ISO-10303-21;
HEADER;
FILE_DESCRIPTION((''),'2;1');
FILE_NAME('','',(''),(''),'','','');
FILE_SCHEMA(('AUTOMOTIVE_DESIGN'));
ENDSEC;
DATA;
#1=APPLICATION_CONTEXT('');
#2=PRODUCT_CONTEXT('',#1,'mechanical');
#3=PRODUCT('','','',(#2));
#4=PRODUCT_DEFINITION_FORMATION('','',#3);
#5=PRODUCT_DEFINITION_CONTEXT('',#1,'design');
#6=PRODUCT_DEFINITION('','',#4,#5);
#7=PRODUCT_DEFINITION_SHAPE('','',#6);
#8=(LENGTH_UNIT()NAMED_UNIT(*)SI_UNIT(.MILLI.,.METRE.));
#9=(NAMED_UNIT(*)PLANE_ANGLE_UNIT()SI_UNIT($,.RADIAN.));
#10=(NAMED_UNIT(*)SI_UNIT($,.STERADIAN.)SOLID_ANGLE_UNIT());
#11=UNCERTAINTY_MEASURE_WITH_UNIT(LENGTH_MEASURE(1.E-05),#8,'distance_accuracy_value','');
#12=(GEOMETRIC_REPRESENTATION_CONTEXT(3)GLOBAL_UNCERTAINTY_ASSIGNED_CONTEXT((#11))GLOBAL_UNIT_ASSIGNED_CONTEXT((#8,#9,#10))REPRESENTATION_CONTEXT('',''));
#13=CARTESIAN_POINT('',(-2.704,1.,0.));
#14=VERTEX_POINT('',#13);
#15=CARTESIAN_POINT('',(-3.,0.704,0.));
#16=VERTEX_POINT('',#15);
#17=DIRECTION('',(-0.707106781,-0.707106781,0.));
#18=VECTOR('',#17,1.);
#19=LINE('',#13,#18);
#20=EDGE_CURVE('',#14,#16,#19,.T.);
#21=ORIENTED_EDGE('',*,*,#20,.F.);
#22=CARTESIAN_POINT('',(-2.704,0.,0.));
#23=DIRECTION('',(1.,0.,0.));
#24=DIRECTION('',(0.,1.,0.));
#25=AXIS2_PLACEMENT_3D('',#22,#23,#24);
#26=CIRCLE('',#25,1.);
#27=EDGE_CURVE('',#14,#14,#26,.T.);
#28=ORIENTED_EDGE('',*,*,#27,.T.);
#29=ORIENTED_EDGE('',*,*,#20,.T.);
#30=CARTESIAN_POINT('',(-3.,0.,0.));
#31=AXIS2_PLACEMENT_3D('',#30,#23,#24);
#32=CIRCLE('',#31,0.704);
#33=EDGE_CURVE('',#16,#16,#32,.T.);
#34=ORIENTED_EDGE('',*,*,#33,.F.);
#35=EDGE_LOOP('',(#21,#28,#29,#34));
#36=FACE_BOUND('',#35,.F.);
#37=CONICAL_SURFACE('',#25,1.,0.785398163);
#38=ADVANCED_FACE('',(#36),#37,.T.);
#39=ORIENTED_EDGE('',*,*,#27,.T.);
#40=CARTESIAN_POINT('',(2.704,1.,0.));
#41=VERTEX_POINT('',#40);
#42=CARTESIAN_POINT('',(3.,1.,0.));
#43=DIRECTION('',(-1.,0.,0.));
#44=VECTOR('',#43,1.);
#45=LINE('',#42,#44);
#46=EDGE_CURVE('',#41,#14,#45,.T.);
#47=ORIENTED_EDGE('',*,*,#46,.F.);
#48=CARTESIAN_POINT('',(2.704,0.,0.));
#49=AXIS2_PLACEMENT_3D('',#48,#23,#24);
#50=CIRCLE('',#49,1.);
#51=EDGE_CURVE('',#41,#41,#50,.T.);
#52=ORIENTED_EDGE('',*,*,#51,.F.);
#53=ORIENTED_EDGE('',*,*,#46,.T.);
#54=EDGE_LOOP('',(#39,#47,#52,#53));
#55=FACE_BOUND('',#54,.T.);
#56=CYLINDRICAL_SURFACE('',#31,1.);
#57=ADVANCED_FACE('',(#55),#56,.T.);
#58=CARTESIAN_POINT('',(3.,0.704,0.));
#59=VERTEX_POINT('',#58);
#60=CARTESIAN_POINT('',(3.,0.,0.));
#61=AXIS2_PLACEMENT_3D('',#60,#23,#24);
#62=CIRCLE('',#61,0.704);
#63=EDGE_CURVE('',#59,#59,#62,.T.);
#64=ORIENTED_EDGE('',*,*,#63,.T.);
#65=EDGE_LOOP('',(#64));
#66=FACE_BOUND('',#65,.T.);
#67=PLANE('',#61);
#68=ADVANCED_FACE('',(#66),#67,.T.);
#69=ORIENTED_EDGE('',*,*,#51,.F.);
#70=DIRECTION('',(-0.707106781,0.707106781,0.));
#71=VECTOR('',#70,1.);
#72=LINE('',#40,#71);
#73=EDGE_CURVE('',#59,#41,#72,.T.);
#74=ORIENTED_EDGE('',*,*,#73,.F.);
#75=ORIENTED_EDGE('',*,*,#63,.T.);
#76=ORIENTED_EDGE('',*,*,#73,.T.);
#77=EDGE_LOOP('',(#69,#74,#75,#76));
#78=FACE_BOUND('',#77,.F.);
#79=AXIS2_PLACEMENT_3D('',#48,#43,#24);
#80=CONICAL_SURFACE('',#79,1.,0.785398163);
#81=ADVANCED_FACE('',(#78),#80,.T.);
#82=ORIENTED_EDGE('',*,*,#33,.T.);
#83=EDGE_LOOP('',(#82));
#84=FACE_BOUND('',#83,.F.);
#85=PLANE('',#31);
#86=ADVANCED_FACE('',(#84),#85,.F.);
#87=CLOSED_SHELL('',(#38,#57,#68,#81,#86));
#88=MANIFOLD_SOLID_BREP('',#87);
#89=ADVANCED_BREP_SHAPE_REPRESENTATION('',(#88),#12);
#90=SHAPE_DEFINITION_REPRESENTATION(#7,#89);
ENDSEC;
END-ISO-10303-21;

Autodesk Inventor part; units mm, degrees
ref_plane "YZ Plane" through (0, 0, 0) normal (1, 0, 0) x (0, 1, 0)
ref_plane "XZ Plane" through (0, 0, 0) normal (0, 1, 0) x (-1, 0, 0)
sketch "Sketch1" plane through (0, 0, 0) normal (0, 0, 1) x (1, 0, 0)
  line L0 (3, 1) -> (3, 0)
  line L1 (-3, 0) -> (3, 0)
  line L2 (-4.2, 0) -> (4.2, 0) projected
  line L3 (0, 1.2) -> (0, -0.2) projected
  line L4 (-3, 1) -> (-3, 0)
  line L5 (0, 1) -> (0, 0) construction
  line L6 (-4.2, 0) -> (4.2, 0) projected
  line L7 (-3, 1) -> (3, 1)
  dimension "d13" = 2
  dimension "d87" = 6
  dimension "d88" = 3
revolve "Body" add sketch "Sketch1" angle 360 about axis through (-3, 0, 0) along (1, 0, 0)
thread "Thread1" size "M2x0.4" class "6g" standard "ISO Metric profile" length 6
chamfer "Chamfer1" distance 0.296 angle 45 1 edges at (3, -1, 0) measured on face at (-1, 0.9871, -0.1604)
chamfer "Chamfer2" distance 0.296 angle 45 1 edges at (-3, -1, 0) measured on face at (-1.0987, 0.9968, -0.0805)
ref_plane "Work Plane1" through (2.75, 0, 0) normal (0, -1, 0) x (1, 0, 0)
equation "\"d13\" = NND"
equation "\"d87\" = NLG"
equation "\"d88\" = 0.5 * NLG"
equation "\"d1\" = GEL"
equation "\"d9\" = -0.5 * SPD + 0.5 * NND"
equation "\"d10\" = -0.5 * SPD + 0.5 * NND"
equation "\"d11\" = -0.5 * SPD + 0.5 * NND"
equation "\"d12\" = -0.5 * SPD + 0.5 * NND"
equation "\"NLG\" = 6"
equation "\"GEL\" = NLG"
equation "\"GAL\" = 0.61345 * PTC"
equation "\"SPD\" = 1.408"
equation "\"d0\" = NND"
equation "\"GUL\" = 0.61345 * PTC"
equation "\"NND\" = 2"
equation "\"GUL1\" = GUL"
equation "\"GAL1\" = GAL"
equation "\"d80\" = -GUL - GEL"
equation "\"d86\" = -GEL + GUL1"
equation "\"PTC\" = 0.4"
equation "\"THREADDIA\" = 2"
equation "\"TOA\" = 30deg"
equation "\"GD1\" = THREADDIA - 1.2269 * PTC"
properties part number "DIN 976-1 - M2 x 6 - B" material "Steel, Mild"
